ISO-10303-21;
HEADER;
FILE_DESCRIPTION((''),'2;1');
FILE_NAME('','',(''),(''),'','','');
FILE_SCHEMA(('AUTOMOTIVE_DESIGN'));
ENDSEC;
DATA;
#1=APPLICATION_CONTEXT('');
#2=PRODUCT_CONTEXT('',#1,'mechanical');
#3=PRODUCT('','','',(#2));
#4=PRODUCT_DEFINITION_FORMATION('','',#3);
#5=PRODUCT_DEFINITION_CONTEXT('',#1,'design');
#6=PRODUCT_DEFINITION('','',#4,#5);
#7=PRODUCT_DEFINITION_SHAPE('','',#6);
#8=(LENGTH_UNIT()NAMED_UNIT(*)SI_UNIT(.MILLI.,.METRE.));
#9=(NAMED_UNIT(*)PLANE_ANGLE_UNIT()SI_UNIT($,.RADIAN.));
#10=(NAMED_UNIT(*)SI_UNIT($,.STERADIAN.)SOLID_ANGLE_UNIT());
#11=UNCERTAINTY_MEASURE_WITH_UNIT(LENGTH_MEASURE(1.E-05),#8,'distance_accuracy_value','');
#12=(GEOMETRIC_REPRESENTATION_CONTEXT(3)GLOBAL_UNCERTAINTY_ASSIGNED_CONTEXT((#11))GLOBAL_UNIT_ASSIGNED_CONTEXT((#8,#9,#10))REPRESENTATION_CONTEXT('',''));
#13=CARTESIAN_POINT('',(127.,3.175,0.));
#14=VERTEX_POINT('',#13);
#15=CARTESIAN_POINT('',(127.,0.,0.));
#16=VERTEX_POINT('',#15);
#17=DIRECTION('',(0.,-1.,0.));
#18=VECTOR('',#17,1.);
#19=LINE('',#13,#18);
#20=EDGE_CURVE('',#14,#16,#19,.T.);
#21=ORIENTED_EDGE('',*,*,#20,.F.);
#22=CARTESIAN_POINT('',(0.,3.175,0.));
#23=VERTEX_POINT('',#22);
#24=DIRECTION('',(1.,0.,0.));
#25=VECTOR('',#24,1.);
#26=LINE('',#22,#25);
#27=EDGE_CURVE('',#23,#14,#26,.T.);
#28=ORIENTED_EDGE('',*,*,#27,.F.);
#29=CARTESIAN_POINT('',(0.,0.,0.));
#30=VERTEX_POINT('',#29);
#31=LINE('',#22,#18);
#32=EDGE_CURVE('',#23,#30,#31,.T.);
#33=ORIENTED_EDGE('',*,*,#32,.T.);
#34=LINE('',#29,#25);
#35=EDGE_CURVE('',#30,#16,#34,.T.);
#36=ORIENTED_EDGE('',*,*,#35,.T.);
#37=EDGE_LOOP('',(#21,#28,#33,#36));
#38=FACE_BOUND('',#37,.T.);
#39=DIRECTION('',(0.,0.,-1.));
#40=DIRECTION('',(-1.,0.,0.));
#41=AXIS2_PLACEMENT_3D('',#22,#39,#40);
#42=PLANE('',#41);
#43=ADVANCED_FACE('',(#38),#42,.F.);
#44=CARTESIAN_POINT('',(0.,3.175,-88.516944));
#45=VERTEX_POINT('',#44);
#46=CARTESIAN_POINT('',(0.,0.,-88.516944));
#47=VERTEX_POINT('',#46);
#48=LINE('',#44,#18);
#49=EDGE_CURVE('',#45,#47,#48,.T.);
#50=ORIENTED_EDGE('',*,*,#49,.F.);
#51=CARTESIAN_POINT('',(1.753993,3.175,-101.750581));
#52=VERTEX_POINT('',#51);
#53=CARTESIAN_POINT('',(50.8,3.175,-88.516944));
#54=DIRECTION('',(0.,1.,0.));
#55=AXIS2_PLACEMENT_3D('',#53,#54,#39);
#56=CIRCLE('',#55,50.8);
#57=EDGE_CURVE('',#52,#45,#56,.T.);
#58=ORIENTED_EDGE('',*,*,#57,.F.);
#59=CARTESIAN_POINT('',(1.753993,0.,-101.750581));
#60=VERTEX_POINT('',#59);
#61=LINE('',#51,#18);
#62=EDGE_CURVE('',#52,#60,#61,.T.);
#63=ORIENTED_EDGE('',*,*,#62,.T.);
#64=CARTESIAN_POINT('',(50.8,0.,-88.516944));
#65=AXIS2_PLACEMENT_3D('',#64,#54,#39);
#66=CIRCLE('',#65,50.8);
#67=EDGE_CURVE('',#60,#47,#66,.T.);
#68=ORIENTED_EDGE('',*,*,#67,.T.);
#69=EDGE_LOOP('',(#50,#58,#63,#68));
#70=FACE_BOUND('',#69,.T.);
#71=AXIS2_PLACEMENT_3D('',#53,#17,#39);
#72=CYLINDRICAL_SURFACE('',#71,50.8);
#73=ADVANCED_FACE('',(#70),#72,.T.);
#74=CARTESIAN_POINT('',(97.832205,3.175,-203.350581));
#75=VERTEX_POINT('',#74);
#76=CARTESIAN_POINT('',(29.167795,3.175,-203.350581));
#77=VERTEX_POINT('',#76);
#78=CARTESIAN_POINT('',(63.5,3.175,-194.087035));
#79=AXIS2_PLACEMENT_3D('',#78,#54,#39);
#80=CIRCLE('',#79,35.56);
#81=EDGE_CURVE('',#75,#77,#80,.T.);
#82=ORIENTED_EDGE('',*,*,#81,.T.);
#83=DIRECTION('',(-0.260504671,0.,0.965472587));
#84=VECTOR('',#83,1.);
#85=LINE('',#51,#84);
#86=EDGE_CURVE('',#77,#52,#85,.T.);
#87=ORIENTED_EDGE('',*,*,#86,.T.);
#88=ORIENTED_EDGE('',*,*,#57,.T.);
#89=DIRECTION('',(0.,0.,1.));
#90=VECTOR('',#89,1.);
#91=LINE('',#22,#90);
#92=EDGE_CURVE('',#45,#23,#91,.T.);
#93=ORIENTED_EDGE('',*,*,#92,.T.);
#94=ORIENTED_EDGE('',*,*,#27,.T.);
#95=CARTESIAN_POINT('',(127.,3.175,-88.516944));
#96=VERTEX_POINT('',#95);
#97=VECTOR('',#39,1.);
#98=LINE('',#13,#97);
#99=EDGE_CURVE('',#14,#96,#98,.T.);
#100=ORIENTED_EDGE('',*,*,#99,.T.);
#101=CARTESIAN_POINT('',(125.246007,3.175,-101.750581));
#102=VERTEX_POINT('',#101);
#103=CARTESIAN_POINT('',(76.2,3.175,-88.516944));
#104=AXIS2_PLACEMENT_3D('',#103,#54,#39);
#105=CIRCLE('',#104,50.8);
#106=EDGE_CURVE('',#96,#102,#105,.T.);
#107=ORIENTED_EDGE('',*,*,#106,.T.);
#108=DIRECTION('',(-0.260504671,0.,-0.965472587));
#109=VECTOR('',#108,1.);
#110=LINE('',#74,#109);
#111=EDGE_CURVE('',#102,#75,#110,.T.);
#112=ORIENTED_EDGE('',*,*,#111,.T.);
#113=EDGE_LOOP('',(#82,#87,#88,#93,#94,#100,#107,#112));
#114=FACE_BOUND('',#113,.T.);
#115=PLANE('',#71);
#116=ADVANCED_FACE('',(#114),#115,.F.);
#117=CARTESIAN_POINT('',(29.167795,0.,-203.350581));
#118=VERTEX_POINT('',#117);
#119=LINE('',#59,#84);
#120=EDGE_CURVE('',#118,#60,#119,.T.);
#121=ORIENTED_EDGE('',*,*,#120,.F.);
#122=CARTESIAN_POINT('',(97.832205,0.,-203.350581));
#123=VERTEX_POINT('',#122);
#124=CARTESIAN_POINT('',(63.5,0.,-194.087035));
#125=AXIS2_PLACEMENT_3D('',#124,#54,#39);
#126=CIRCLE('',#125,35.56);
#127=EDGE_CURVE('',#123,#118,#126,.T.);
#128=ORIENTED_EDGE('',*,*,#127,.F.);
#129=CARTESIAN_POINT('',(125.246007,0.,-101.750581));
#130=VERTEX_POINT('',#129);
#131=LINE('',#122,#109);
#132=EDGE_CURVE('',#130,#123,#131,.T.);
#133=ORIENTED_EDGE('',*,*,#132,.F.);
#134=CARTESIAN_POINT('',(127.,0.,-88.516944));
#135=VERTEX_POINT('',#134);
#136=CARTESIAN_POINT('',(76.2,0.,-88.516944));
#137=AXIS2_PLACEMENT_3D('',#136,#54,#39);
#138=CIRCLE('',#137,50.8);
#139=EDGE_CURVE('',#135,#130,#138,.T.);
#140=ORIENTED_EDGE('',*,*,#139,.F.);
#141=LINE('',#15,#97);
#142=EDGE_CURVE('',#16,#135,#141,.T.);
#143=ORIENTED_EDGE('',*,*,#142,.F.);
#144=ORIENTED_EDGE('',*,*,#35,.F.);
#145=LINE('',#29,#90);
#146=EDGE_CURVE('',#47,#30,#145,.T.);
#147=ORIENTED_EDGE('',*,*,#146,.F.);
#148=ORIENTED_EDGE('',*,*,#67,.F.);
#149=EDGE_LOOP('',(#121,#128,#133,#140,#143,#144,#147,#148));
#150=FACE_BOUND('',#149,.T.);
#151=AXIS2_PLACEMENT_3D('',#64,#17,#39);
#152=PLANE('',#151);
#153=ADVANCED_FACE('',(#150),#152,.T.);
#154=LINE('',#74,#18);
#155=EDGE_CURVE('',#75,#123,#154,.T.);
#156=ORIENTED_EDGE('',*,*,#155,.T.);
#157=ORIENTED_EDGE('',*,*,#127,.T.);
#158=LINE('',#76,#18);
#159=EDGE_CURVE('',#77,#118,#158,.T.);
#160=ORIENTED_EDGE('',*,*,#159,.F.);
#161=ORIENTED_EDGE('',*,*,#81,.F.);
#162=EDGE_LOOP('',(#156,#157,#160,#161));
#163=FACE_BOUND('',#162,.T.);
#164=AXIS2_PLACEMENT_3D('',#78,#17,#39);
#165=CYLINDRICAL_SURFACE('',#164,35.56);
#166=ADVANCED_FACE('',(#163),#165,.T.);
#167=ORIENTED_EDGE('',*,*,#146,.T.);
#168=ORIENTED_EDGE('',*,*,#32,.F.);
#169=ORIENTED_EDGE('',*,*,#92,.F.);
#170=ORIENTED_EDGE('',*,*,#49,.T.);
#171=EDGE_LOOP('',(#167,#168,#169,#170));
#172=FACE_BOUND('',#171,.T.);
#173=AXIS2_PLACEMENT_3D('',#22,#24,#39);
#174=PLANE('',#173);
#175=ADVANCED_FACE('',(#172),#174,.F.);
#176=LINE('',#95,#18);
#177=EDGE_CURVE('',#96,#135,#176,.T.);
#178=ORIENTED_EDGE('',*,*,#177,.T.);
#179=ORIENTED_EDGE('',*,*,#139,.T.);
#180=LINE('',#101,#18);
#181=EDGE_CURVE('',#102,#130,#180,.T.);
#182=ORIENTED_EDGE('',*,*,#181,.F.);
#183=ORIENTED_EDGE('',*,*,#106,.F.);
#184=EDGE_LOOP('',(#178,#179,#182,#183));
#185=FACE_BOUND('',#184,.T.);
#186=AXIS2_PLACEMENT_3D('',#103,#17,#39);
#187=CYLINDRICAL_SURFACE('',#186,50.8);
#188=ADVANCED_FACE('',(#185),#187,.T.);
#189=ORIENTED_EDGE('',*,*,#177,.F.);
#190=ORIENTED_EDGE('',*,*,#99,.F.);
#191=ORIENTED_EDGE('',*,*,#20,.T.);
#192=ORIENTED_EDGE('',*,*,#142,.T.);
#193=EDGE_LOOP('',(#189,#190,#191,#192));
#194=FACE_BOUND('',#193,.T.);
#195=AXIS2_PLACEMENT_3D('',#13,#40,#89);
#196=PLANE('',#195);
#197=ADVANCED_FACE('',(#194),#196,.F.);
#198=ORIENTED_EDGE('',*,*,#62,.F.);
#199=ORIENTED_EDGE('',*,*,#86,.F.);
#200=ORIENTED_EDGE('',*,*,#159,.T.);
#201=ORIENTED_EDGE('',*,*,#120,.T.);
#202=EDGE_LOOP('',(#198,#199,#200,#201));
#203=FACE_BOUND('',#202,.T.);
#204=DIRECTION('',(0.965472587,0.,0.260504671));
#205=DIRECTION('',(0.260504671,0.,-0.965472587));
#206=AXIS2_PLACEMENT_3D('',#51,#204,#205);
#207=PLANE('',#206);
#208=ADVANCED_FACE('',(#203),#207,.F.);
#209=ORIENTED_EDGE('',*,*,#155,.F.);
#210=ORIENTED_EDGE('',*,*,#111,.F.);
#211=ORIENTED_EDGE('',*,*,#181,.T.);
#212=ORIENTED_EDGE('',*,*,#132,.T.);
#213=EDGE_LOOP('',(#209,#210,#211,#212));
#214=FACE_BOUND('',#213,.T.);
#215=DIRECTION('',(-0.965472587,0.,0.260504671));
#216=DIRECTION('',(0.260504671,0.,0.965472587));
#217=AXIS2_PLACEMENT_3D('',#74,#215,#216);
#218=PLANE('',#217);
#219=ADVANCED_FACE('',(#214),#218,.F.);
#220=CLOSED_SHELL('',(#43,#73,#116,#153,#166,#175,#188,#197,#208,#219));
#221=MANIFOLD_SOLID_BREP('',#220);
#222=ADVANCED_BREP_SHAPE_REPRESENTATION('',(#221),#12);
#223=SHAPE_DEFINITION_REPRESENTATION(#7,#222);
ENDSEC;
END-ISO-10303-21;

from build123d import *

# Parameters (mm, degrees)
BOSS_EXTRUDE2_DEPTH = 3.175


with BuildPart() as part:
    # Sketch1 → Boss-Extrude2 (new body)
    with BuildSketch(Plane(origin=(0, 0, 0), x_dir=(1, 0, 0), z_dir=(0, 1, 0))):
        with BuildLine():
            Line((0, 0), (127, 0))
            Line((127, 0), (127, 88.516943855))
            ThreePointArc((127, 88.516943855), (126.559592816, 95.191628223), (125.246007425, 101.750581135))
            Line((125.246007425, 101.750581135), (97.832205198, 203.350581135))
            ThreePointArc((97.832205198, 203.350581135), (63.5, 229.647035039), (29.167794802, 203.350581135))
            Line((29.167794802, 203.350581135), (1.753992575, 101.750581135))
            ThreePointArc((1.753992575, 101.750581135), (0.440407184, 95.191628223), (0, 88.516943855))
            Line((0, 88.516943855), (0, 0))
        make_face()
    extrude(amount=BOSS_EXTRUDE2_DEPTH)


solid = part.part
